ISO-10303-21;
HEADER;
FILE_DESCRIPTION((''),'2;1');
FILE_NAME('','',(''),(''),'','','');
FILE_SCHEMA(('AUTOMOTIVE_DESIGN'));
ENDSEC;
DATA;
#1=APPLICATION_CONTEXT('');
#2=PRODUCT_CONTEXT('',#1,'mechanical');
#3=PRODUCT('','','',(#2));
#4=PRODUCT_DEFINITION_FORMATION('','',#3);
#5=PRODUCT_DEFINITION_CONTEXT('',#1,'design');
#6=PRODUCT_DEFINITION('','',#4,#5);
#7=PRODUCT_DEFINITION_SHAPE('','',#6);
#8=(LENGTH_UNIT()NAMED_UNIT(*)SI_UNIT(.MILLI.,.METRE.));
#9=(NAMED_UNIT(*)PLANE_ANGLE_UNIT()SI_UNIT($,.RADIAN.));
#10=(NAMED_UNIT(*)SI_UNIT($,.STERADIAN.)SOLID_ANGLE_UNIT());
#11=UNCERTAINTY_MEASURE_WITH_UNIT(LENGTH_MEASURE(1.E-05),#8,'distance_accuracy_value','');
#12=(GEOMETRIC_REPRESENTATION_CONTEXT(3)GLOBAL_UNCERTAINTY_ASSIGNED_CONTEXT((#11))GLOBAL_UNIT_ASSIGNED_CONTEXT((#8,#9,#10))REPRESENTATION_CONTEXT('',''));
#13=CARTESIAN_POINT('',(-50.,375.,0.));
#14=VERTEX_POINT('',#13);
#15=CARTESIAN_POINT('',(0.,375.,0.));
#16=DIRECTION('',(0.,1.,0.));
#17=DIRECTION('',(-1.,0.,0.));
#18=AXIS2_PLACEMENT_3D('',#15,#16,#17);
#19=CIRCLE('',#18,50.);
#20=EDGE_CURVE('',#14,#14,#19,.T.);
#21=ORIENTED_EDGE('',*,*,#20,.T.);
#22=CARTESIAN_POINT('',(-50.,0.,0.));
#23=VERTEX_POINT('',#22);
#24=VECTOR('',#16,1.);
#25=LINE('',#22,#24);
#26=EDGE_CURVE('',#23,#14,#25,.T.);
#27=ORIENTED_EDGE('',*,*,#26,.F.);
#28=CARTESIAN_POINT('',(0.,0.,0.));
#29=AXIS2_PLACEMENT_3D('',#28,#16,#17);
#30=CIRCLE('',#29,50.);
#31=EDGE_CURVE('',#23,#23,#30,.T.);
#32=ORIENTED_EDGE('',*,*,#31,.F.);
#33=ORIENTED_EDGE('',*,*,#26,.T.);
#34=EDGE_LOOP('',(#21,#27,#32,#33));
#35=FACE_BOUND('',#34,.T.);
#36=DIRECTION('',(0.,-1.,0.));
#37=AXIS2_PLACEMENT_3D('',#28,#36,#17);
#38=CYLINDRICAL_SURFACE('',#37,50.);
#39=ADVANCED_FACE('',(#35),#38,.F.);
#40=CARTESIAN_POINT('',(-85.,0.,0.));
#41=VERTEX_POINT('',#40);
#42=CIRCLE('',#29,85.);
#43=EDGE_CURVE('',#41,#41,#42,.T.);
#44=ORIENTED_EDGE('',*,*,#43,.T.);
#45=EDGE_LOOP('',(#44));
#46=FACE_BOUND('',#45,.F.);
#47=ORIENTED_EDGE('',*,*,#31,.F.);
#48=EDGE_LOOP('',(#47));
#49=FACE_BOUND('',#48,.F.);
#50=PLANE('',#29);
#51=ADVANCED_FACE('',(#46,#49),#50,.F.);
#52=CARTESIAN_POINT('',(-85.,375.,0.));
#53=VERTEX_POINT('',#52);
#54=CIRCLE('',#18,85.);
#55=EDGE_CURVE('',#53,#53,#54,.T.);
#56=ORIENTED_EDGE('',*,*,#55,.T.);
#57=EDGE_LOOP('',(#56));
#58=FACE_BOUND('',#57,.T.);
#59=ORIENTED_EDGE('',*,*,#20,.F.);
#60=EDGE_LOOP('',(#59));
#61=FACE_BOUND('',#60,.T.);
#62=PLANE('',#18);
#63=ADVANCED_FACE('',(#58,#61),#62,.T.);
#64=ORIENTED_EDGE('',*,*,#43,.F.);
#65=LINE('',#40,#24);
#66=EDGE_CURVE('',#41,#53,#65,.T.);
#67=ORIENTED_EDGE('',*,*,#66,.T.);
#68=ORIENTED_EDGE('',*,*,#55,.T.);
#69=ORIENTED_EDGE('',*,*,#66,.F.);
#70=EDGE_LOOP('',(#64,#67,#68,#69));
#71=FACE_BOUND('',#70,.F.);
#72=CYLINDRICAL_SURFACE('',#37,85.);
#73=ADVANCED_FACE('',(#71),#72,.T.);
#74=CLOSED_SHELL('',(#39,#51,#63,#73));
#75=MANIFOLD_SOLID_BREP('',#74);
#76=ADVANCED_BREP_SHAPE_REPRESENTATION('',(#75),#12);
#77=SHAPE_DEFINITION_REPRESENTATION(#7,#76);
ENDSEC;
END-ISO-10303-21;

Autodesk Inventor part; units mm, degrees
ref_plane "YZ Plane" through (0, 0, 0) normal (1, 0, 0) x (0, 1, 0)
ref_plane "XZ Plane" through (0, 0, 0) normal (0, 1, 0) x (-1, 0, 0)
ref_plane "XY Plane" through (0, 0, 0) normal (0, 0, 1) x (1, 0, 0)
sketch "スケッチ1" plane through (0, 0, 0) normal (0, 1, 0) x (-1, 0, 0)
  circle A0 centre (0, 0) radius 50
  circle A1 centre (0, 0) radius 85
  dimension "d0" = 170
  dimension "d1" = 100
extrude "押し出し1" add sketch "スケッチ1" along normal blind 375
properties part number "tirepole"
